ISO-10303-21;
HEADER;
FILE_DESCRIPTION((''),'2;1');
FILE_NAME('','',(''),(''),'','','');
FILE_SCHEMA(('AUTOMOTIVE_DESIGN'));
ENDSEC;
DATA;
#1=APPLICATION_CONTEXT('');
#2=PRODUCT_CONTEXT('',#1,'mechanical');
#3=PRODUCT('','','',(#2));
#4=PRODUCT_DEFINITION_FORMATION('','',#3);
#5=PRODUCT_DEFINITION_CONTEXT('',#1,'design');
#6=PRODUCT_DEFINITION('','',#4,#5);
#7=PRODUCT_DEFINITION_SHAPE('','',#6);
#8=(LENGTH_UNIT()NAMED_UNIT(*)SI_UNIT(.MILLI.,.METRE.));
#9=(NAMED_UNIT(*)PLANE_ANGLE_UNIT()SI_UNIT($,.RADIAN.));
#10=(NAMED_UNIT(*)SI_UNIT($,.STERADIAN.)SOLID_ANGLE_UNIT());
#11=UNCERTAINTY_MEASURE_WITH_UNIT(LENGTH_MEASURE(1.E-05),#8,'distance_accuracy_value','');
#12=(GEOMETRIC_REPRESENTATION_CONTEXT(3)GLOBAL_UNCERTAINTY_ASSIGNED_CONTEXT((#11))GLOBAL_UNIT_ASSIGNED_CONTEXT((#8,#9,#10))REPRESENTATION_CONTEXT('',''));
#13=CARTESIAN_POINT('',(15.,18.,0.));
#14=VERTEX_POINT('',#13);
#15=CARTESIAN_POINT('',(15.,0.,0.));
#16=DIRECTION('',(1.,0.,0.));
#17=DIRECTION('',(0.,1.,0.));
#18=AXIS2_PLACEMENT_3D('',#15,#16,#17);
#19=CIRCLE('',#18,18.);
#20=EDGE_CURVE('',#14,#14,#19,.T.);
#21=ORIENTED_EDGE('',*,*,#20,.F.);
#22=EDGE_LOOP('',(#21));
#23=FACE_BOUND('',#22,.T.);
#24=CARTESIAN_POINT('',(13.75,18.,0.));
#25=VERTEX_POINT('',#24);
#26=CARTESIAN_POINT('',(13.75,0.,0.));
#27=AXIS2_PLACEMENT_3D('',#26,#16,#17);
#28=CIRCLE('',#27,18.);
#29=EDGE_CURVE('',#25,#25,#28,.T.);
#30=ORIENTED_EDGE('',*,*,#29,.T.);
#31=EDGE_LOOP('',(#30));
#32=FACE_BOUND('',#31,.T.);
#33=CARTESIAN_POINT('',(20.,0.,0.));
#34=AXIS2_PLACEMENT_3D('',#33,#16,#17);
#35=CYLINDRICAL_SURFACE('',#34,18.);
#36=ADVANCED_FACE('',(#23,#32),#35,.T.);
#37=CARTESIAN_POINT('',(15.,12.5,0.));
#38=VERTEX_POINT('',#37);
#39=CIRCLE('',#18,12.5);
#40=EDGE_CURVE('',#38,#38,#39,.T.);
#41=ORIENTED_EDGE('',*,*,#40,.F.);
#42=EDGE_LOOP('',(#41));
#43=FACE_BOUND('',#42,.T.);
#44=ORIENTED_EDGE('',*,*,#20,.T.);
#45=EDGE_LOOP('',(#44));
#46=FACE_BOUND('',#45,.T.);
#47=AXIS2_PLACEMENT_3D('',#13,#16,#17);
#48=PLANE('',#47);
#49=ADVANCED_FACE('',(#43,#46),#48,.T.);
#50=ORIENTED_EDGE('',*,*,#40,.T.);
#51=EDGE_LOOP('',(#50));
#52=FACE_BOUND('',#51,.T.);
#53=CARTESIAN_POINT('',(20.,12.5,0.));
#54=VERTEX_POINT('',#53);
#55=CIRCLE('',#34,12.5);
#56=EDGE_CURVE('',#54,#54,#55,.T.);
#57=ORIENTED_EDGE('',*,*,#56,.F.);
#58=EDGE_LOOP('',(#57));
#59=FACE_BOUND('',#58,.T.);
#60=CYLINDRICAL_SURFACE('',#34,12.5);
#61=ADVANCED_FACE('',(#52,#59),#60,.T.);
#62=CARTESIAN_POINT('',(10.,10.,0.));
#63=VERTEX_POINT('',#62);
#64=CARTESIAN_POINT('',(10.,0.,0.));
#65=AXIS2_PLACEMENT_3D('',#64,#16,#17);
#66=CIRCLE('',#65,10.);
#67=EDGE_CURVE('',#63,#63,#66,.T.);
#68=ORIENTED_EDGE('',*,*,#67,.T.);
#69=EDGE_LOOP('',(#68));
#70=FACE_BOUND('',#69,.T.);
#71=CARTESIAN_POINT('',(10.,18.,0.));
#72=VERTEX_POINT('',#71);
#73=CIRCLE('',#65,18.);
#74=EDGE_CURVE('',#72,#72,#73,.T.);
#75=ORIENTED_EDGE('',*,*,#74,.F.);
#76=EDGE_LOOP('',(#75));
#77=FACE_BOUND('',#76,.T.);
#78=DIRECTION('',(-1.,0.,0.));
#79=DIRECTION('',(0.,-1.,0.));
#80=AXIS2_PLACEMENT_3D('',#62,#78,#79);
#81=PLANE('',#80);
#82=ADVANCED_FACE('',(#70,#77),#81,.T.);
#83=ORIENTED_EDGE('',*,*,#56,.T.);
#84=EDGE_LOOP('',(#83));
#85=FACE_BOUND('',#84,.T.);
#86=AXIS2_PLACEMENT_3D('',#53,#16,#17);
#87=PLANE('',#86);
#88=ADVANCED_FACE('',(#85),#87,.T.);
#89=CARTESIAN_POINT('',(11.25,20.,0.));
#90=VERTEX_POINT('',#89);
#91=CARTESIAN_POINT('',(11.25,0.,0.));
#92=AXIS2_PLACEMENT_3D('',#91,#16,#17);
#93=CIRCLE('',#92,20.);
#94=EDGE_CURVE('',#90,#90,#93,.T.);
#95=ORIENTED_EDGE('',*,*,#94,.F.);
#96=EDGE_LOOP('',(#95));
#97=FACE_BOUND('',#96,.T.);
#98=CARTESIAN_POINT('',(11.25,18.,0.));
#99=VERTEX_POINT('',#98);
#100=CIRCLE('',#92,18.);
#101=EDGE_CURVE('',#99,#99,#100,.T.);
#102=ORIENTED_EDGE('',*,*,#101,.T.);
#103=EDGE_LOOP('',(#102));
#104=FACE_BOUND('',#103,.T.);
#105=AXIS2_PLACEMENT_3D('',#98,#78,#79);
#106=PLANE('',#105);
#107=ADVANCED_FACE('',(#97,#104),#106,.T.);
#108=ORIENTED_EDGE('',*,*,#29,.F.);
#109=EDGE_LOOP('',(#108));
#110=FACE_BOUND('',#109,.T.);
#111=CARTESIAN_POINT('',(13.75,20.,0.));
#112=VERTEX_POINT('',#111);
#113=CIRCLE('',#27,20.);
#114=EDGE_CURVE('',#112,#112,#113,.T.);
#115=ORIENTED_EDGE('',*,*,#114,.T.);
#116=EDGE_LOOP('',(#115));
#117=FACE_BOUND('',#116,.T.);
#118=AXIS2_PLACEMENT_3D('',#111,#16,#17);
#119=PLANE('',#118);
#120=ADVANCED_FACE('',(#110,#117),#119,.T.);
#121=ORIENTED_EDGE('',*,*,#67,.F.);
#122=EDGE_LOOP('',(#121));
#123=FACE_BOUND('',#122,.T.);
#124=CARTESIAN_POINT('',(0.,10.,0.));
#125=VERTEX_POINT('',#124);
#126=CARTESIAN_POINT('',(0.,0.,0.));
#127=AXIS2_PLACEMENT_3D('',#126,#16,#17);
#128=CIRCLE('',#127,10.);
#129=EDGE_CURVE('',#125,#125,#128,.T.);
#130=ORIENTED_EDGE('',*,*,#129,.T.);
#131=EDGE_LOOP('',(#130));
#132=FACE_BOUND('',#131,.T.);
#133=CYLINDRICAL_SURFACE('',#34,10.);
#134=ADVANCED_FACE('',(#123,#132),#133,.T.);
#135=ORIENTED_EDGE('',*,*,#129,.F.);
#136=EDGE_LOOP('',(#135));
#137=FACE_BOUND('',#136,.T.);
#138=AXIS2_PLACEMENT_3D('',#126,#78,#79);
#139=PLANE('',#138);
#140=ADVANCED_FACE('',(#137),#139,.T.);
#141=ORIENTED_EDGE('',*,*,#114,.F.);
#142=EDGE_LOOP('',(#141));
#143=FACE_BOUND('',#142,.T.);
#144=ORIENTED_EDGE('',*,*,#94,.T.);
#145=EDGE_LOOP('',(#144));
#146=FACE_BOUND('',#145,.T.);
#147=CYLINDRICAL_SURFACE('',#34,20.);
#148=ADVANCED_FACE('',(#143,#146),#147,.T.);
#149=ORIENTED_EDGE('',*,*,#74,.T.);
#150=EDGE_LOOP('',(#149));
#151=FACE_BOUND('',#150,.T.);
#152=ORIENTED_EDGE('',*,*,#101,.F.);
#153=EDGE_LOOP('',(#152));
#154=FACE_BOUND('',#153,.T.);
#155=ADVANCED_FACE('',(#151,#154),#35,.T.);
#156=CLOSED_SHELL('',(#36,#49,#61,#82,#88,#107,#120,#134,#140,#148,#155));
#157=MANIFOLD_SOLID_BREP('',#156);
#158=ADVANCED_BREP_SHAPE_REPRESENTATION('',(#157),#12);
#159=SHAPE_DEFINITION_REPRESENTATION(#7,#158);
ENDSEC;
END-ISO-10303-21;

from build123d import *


with BuildPart() as part:
    # 스케치1 → 회전2 (revolve)
    with BuildSketch(Plane.XY):
        Polygon((0, 0), (0, 10), (10, 10), (10, 18), (11.25, 18), (11.25, 20), (13.75, 20), (13.75, 18), (15, 18), (15, 12.5), (20, 12.5), (20, 0), align=None)
    revolve(axis=Axis((20, 0, 0), (-1, 0, 0)))


solid = part.part
